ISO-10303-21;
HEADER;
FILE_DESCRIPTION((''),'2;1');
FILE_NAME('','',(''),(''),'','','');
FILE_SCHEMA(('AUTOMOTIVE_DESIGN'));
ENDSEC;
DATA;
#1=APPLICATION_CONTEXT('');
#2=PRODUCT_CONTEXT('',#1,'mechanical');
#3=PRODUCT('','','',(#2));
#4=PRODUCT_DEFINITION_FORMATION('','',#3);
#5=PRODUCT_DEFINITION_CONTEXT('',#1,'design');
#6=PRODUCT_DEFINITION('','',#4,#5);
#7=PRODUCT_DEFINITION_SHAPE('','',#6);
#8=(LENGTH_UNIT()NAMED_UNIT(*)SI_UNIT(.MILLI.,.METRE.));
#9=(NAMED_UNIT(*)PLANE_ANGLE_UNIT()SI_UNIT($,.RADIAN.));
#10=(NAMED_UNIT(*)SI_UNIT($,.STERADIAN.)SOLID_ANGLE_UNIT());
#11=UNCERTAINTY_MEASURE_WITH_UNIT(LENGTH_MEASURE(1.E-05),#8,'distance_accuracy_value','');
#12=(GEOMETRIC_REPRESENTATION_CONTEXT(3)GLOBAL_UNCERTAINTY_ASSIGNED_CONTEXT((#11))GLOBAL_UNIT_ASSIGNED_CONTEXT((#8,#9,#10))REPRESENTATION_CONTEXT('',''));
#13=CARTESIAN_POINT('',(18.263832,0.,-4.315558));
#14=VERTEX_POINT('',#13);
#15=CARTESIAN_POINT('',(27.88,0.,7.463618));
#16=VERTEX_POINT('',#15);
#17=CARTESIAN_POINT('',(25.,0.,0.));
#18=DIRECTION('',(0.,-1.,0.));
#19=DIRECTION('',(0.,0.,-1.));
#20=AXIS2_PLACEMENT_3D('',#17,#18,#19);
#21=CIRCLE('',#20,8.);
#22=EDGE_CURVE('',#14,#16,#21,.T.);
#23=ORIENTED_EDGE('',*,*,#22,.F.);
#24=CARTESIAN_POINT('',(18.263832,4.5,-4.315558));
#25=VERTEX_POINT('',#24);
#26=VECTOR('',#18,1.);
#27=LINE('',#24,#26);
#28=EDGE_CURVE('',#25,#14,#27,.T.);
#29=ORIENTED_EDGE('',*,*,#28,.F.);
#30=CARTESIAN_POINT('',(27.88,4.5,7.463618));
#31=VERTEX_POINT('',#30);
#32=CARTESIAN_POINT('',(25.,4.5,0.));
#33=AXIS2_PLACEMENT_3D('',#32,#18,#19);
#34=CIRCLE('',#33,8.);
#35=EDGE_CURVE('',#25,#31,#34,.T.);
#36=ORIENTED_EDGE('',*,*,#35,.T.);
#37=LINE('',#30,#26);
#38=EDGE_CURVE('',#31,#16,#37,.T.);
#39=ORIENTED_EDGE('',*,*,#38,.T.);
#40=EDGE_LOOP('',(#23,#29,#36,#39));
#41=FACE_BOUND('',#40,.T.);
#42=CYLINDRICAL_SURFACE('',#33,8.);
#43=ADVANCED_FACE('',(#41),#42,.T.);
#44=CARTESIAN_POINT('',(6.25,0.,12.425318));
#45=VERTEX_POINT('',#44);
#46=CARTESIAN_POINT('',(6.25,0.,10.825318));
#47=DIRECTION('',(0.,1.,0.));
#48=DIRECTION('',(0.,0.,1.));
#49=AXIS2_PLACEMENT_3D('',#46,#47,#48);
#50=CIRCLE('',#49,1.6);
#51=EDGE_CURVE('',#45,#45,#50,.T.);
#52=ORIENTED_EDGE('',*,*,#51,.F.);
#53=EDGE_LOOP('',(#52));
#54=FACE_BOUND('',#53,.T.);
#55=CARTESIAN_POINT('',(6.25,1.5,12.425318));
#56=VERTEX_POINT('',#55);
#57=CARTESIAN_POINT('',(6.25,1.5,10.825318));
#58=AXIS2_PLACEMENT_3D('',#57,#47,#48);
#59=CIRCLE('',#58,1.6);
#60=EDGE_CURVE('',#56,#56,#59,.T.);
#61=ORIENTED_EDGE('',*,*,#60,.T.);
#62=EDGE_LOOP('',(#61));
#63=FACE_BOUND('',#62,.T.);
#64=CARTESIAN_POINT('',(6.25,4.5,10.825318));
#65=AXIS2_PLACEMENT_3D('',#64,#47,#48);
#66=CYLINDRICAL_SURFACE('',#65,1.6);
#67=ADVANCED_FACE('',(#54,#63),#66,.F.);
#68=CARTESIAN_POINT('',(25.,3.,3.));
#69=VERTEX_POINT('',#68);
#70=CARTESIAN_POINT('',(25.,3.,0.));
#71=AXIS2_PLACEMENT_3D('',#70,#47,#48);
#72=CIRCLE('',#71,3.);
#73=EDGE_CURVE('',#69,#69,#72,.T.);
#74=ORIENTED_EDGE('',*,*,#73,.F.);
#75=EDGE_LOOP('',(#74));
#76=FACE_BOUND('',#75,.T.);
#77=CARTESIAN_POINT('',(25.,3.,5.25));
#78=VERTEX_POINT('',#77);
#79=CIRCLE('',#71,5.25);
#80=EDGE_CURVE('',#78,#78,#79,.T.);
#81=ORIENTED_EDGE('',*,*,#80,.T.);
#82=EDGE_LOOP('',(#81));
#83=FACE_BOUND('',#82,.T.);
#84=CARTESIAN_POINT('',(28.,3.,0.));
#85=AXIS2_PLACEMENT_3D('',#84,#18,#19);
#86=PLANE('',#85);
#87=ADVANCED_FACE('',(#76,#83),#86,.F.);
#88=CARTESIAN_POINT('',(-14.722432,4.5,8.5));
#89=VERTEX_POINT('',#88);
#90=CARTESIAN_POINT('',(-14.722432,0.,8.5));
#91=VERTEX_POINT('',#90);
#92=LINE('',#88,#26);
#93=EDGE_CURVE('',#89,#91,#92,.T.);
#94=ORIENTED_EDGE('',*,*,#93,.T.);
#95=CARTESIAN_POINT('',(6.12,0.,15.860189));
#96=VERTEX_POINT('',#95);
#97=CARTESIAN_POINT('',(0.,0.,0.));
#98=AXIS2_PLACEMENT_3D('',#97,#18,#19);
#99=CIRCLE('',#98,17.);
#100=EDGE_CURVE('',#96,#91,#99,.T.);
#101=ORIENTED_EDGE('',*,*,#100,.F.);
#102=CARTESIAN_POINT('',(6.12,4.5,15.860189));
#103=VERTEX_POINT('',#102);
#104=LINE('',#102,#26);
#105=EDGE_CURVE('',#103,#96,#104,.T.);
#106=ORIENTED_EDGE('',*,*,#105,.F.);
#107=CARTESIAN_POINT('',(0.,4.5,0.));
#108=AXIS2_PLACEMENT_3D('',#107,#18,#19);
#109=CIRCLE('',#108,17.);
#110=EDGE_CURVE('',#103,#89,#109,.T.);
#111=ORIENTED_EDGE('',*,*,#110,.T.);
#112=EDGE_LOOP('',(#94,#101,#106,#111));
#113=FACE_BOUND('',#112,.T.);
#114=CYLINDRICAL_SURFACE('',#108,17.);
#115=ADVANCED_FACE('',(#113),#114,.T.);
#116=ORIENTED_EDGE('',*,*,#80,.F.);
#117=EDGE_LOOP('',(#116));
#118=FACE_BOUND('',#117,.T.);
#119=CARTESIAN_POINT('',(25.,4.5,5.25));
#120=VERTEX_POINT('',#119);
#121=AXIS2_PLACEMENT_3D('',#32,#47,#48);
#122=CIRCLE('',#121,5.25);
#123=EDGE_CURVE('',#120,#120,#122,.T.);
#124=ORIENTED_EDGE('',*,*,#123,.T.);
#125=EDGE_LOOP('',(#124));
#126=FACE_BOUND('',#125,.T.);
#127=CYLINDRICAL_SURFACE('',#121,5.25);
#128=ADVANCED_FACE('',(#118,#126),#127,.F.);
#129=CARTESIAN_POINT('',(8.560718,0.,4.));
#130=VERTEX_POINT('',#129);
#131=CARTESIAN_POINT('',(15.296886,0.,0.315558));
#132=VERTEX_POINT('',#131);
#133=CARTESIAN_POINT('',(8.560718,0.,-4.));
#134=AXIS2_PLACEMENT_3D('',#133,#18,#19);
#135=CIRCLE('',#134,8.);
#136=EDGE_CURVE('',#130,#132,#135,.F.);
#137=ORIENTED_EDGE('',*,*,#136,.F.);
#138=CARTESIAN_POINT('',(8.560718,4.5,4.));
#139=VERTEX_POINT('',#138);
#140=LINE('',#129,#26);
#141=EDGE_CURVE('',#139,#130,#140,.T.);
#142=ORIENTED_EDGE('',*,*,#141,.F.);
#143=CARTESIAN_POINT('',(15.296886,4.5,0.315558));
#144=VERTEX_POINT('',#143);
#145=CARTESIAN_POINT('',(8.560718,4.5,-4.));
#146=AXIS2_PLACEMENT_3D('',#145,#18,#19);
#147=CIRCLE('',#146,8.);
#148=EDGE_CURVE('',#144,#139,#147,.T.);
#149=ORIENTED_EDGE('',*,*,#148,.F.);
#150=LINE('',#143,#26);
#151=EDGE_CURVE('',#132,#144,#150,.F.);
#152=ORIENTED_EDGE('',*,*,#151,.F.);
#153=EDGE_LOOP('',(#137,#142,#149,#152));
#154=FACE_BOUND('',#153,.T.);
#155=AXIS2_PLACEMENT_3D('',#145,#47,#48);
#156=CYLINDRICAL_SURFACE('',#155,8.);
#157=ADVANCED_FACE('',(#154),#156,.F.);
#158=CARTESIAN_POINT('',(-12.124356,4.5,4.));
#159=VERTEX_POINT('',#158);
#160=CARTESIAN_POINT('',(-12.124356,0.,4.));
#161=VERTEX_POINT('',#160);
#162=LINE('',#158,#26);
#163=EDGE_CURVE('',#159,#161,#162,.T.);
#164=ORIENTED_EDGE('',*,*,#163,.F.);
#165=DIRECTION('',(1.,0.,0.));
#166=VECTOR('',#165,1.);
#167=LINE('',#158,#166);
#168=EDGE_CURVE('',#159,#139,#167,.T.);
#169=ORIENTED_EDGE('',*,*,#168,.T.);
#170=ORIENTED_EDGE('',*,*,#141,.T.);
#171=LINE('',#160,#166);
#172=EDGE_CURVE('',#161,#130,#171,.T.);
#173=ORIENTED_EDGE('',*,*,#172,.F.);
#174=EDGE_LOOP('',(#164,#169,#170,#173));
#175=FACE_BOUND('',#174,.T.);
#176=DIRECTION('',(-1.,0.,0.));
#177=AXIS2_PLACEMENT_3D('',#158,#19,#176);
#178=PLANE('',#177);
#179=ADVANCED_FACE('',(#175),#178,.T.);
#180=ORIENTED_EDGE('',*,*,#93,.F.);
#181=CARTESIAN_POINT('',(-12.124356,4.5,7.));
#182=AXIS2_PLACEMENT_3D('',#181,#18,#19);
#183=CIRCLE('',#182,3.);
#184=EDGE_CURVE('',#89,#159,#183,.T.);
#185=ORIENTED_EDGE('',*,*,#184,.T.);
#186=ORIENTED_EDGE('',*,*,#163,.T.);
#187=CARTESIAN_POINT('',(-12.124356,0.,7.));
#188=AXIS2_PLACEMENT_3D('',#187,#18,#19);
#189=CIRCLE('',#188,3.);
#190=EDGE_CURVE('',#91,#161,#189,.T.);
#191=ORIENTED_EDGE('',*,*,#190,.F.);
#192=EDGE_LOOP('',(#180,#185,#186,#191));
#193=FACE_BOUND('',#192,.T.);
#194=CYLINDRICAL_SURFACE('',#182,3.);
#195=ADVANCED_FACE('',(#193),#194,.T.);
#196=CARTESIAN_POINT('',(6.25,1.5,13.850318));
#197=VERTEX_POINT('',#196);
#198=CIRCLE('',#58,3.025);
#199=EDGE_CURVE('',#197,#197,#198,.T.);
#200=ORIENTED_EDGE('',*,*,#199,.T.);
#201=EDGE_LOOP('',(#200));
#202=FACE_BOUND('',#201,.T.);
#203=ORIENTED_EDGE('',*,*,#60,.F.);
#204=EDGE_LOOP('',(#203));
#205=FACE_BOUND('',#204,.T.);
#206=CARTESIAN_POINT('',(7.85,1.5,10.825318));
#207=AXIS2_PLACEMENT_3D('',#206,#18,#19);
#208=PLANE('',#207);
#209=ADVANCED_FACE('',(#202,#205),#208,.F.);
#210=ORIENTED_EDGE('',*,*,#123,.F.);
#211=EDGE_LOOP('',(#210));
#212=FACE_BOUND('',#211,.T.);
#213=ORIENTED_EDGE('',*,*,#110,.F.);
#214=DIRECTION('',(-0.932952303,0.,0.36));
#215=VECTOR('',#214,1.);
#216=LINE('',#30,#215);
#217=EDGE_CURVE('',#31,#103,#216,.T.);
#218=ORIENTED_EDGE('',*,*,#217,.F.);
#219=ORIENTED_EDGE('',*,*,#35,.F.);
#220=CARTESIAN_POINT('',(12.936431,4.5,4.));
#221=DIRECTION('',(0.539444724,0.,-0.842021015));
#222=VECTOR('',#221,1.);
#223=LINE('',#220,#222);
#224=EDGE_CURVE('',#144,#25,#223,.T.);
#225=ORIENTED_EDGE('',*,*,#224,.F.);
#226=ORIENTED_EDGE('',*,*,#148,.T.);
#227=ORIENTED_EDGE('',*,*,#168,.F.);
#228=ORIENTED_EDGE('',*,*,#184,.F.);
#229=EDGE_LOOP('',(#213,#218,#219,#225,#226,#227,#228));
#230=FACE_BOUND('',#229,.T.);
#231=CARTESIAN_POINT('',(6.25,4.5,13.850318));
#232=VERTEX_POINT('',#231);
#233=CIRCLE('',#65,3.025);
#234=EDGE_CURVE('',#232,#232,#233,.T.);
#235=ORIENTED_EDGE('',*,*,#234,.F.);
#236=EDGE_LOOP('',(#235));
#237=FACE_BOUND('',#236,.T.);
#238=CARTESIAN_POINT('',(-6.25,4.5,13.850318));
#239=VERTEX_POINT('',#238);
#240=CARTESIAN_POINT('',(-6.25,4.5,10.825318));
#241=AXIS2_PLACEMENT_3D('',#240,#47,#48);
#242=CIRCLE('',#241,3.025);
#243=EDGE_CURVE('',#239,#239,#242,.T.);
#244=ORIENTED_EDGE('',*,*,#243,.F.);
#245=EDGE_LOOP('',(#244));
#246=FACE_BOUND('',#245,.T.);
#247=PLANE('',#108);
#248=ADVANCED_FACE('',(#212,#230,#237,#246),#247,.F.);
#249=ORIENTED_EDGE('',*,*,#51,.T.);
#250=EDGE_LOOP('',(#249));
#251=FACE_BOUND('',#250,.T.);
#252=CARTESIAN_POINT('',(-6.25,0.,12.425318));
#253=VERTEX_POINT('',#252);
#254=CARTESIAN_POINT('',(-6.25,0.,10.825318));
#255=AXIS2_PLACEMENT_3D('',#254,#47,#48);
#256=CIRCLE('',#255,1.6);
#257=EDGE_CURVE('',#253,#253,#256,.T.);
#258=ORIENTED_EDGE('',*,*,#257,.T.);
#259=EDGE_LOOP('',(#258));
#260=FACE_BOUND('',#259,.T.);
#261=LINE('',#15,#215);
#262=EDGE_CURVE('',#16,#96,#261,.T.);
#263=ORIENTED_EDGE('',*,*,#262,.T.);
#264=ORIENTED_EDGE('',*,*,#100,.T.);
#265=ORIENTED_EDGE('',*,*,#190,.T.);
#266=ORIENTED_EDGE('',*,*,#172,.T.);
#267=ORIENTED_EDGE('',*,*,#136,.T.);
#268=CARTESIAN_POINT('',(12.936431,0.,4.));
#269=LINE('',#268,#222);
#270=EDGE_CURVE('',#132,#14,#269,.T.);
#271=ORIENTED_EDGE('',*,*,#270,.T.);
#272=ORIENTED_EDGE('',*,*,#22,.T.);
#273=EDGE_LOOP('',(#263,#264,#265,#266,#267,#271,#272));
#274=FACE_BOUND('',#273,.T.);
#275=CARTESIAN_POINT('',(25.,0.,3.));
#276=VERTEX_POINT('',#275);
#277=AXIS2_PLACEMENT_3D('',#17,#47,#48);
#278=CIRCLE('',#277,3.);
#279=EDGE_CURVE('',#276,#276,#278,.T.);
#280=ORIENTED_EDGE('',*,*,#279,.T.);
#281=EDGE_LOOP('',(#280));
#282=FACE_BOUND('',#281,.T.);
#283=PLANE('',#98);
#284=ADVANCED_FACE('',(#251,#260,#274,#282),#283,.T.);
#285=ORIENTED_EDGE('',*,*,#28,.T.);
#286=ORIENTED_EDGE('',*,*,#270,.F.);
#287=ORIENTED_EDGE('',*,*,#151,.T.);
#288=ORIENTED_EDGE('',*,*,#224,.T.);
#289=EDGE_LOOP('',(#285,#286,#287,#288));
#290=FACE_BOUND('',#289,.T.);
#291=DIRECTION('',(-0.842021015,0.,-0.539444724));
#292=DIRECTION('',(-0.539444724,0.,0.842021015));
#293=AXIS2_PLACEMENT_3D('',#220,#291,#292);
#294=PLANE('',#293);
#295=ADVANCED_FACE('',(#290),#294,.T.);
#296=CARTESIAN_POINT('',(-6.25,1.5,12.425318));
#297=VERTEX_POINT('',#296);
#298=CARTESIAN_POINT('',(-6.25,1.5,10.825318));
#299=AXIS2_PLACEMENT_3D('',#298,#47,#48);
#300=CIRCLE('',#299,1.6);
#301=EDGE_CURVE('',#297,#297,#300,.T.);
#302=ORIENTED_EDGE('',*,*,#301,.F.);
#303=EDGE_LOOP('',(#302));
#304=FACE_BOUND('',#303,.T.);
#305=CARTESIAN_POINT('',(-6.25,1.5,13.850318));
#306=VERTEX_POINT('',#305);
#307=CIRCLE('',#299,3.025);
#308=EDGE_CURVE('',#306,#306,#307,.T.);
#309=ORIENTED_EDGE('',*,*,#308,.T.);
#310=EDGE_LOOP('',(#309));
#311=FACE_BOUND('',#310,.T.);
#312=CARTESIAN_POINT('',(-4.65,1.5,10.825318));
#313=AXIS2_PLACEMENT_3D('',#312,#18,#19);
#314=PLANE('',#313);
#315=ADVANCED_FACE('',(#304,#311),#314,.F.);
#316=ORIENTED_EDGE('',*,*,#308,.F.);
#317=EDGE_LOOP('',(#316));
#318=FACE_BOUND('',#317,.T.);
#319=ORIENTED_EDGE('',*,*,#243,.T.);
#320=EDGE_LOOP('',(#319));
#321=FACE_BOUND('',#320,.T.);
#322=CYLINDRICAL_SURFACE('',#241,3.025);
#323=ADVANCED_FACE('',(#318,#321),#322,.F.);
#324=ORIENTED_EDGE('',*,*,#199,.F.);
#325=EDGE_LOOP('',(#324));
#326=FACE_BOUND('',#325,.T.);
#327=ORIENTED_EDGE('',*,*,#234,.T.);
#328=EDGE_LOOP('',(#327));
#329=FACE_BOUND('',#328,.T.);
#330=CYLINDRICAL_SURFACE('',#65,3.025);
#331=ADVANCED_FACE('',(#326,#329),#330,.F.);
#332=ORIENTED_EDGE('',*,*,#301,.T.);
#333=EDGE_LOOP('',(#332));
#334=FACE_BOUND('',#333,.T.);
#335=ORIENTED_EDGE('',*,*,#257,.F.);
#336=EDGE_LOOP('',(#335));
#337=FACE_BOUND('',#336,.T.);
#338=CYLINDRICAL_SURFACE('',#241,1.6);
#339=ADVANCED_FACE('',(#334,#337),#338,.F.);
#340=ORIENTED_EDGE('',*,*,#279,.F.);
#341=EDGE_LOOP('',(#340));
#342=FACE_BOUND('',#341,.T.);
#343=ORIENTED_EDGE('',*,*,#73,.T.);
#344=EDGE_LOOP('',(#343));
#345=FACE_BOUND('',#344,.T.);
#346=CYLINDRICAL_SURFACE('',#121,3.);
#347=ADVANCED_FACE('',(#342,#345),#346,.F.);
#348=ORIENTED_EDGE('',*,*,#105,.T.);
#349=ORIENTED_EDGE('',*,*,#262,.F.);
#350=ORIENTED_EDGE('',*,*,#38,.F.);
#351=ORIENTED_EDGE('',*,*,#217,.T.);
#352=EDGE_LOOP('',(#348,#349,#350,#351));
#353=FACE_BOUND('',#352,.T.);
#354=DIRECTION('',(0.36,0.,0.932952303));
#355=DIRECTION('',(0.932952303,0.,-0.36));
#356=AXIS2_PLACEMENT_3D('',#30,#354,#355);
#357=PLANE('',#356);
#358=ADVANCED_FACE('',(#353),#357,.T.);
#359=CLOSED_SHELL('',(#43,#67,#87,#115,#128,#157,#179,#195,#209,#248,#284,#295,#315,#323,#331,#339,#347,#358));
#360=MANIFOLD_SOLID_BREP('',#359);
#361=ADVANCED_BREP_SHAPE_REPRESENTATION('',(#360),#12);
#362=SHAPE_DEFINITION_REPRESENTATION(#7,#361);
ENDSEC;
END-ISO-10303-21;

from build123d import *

# Parameters (mm, degrees)
EXTRUDE_1_DEPTH             = 4.5
HOLE_WIZARD_M31_D           = 3.2
HOLE_WIZARD_M31_CBORE_D     = 6.05
HOLE_WIZARD_M31_CBORE_DEPTH = 3
HOLE_WIZARD_1_D             = 6
HOLE_WIZARD_1_CBORE_D       = 10.5
HOLE_WIZARD_1_CBORE_DEPTH   = 1.5
FILLET_1_R                  = 8


with BuildPart() as part:
    # Эскиз1 → Бобышка-Вытянуть1 (new body)
    with BuildSketch(Plane.XZ):
        with BuildLine():
            Line((-12.124355653, 4), (12.936430666, 4))
            Line((12.936430666, 4), (18.263831879, -4.315557791))
            ThreePointArc((18.263831879, -4.315557791), (31.197157109, -5.059174218), (27.88, 7.463618425))
            Line((27.88, 7.463618425), (6.12, 15.860189154))
            ThreePointArc((6.12, 15.860189154), (-5.660702659, 16.029861054), (-14.722431864, 8.5))
            ThreePointArc((-14.722431864, 8.5), (-14.722431864, 5.5), (-12.124355653, 4))
        make_face()
    extrude(amount=-EXTRUDE_1_DEPTH)

    # Цековка для винта с заклепочной головкой M31 (through all)
    with Locations(Plane(origin=(0, 4.5, 0), x_dir=(1, 0, 0), z_dir=(0, 1, 0))):
        with Locations((-6.25, -10.825317547), (6.25, -10.825317547)):
            CounterBoreHole(HOLE_WIZARD_M31_D / 2, HOLE_WIZARD_M31_CBORE_D / 2, HOLE_WIZARD_M31_CBORE_DEPTH)

    # Отверстие1 (through all)
    with Locations(Plane(origin=(0, 4.5, 0), x_dir=(1, 0, 0), z_dir=(0, 1, 0))):
        with Locations((25, 0)):
            CounterBoreHole(HOLE_WIZARD_1_D / 2, HOLE_WIZARD_1_CBORE_D / 2, HOLE_WIZARD_1_CBORE_DEPTH)

    # Скругление1
    fillet_1_edges = [part.edges().sort_by_distance(p)[0] for p in [
        (12.936430666, 2.25, 4),
    ]]
    fillet(fillet_1_edges, radius=FILLET_1_R)


solid = part.part
